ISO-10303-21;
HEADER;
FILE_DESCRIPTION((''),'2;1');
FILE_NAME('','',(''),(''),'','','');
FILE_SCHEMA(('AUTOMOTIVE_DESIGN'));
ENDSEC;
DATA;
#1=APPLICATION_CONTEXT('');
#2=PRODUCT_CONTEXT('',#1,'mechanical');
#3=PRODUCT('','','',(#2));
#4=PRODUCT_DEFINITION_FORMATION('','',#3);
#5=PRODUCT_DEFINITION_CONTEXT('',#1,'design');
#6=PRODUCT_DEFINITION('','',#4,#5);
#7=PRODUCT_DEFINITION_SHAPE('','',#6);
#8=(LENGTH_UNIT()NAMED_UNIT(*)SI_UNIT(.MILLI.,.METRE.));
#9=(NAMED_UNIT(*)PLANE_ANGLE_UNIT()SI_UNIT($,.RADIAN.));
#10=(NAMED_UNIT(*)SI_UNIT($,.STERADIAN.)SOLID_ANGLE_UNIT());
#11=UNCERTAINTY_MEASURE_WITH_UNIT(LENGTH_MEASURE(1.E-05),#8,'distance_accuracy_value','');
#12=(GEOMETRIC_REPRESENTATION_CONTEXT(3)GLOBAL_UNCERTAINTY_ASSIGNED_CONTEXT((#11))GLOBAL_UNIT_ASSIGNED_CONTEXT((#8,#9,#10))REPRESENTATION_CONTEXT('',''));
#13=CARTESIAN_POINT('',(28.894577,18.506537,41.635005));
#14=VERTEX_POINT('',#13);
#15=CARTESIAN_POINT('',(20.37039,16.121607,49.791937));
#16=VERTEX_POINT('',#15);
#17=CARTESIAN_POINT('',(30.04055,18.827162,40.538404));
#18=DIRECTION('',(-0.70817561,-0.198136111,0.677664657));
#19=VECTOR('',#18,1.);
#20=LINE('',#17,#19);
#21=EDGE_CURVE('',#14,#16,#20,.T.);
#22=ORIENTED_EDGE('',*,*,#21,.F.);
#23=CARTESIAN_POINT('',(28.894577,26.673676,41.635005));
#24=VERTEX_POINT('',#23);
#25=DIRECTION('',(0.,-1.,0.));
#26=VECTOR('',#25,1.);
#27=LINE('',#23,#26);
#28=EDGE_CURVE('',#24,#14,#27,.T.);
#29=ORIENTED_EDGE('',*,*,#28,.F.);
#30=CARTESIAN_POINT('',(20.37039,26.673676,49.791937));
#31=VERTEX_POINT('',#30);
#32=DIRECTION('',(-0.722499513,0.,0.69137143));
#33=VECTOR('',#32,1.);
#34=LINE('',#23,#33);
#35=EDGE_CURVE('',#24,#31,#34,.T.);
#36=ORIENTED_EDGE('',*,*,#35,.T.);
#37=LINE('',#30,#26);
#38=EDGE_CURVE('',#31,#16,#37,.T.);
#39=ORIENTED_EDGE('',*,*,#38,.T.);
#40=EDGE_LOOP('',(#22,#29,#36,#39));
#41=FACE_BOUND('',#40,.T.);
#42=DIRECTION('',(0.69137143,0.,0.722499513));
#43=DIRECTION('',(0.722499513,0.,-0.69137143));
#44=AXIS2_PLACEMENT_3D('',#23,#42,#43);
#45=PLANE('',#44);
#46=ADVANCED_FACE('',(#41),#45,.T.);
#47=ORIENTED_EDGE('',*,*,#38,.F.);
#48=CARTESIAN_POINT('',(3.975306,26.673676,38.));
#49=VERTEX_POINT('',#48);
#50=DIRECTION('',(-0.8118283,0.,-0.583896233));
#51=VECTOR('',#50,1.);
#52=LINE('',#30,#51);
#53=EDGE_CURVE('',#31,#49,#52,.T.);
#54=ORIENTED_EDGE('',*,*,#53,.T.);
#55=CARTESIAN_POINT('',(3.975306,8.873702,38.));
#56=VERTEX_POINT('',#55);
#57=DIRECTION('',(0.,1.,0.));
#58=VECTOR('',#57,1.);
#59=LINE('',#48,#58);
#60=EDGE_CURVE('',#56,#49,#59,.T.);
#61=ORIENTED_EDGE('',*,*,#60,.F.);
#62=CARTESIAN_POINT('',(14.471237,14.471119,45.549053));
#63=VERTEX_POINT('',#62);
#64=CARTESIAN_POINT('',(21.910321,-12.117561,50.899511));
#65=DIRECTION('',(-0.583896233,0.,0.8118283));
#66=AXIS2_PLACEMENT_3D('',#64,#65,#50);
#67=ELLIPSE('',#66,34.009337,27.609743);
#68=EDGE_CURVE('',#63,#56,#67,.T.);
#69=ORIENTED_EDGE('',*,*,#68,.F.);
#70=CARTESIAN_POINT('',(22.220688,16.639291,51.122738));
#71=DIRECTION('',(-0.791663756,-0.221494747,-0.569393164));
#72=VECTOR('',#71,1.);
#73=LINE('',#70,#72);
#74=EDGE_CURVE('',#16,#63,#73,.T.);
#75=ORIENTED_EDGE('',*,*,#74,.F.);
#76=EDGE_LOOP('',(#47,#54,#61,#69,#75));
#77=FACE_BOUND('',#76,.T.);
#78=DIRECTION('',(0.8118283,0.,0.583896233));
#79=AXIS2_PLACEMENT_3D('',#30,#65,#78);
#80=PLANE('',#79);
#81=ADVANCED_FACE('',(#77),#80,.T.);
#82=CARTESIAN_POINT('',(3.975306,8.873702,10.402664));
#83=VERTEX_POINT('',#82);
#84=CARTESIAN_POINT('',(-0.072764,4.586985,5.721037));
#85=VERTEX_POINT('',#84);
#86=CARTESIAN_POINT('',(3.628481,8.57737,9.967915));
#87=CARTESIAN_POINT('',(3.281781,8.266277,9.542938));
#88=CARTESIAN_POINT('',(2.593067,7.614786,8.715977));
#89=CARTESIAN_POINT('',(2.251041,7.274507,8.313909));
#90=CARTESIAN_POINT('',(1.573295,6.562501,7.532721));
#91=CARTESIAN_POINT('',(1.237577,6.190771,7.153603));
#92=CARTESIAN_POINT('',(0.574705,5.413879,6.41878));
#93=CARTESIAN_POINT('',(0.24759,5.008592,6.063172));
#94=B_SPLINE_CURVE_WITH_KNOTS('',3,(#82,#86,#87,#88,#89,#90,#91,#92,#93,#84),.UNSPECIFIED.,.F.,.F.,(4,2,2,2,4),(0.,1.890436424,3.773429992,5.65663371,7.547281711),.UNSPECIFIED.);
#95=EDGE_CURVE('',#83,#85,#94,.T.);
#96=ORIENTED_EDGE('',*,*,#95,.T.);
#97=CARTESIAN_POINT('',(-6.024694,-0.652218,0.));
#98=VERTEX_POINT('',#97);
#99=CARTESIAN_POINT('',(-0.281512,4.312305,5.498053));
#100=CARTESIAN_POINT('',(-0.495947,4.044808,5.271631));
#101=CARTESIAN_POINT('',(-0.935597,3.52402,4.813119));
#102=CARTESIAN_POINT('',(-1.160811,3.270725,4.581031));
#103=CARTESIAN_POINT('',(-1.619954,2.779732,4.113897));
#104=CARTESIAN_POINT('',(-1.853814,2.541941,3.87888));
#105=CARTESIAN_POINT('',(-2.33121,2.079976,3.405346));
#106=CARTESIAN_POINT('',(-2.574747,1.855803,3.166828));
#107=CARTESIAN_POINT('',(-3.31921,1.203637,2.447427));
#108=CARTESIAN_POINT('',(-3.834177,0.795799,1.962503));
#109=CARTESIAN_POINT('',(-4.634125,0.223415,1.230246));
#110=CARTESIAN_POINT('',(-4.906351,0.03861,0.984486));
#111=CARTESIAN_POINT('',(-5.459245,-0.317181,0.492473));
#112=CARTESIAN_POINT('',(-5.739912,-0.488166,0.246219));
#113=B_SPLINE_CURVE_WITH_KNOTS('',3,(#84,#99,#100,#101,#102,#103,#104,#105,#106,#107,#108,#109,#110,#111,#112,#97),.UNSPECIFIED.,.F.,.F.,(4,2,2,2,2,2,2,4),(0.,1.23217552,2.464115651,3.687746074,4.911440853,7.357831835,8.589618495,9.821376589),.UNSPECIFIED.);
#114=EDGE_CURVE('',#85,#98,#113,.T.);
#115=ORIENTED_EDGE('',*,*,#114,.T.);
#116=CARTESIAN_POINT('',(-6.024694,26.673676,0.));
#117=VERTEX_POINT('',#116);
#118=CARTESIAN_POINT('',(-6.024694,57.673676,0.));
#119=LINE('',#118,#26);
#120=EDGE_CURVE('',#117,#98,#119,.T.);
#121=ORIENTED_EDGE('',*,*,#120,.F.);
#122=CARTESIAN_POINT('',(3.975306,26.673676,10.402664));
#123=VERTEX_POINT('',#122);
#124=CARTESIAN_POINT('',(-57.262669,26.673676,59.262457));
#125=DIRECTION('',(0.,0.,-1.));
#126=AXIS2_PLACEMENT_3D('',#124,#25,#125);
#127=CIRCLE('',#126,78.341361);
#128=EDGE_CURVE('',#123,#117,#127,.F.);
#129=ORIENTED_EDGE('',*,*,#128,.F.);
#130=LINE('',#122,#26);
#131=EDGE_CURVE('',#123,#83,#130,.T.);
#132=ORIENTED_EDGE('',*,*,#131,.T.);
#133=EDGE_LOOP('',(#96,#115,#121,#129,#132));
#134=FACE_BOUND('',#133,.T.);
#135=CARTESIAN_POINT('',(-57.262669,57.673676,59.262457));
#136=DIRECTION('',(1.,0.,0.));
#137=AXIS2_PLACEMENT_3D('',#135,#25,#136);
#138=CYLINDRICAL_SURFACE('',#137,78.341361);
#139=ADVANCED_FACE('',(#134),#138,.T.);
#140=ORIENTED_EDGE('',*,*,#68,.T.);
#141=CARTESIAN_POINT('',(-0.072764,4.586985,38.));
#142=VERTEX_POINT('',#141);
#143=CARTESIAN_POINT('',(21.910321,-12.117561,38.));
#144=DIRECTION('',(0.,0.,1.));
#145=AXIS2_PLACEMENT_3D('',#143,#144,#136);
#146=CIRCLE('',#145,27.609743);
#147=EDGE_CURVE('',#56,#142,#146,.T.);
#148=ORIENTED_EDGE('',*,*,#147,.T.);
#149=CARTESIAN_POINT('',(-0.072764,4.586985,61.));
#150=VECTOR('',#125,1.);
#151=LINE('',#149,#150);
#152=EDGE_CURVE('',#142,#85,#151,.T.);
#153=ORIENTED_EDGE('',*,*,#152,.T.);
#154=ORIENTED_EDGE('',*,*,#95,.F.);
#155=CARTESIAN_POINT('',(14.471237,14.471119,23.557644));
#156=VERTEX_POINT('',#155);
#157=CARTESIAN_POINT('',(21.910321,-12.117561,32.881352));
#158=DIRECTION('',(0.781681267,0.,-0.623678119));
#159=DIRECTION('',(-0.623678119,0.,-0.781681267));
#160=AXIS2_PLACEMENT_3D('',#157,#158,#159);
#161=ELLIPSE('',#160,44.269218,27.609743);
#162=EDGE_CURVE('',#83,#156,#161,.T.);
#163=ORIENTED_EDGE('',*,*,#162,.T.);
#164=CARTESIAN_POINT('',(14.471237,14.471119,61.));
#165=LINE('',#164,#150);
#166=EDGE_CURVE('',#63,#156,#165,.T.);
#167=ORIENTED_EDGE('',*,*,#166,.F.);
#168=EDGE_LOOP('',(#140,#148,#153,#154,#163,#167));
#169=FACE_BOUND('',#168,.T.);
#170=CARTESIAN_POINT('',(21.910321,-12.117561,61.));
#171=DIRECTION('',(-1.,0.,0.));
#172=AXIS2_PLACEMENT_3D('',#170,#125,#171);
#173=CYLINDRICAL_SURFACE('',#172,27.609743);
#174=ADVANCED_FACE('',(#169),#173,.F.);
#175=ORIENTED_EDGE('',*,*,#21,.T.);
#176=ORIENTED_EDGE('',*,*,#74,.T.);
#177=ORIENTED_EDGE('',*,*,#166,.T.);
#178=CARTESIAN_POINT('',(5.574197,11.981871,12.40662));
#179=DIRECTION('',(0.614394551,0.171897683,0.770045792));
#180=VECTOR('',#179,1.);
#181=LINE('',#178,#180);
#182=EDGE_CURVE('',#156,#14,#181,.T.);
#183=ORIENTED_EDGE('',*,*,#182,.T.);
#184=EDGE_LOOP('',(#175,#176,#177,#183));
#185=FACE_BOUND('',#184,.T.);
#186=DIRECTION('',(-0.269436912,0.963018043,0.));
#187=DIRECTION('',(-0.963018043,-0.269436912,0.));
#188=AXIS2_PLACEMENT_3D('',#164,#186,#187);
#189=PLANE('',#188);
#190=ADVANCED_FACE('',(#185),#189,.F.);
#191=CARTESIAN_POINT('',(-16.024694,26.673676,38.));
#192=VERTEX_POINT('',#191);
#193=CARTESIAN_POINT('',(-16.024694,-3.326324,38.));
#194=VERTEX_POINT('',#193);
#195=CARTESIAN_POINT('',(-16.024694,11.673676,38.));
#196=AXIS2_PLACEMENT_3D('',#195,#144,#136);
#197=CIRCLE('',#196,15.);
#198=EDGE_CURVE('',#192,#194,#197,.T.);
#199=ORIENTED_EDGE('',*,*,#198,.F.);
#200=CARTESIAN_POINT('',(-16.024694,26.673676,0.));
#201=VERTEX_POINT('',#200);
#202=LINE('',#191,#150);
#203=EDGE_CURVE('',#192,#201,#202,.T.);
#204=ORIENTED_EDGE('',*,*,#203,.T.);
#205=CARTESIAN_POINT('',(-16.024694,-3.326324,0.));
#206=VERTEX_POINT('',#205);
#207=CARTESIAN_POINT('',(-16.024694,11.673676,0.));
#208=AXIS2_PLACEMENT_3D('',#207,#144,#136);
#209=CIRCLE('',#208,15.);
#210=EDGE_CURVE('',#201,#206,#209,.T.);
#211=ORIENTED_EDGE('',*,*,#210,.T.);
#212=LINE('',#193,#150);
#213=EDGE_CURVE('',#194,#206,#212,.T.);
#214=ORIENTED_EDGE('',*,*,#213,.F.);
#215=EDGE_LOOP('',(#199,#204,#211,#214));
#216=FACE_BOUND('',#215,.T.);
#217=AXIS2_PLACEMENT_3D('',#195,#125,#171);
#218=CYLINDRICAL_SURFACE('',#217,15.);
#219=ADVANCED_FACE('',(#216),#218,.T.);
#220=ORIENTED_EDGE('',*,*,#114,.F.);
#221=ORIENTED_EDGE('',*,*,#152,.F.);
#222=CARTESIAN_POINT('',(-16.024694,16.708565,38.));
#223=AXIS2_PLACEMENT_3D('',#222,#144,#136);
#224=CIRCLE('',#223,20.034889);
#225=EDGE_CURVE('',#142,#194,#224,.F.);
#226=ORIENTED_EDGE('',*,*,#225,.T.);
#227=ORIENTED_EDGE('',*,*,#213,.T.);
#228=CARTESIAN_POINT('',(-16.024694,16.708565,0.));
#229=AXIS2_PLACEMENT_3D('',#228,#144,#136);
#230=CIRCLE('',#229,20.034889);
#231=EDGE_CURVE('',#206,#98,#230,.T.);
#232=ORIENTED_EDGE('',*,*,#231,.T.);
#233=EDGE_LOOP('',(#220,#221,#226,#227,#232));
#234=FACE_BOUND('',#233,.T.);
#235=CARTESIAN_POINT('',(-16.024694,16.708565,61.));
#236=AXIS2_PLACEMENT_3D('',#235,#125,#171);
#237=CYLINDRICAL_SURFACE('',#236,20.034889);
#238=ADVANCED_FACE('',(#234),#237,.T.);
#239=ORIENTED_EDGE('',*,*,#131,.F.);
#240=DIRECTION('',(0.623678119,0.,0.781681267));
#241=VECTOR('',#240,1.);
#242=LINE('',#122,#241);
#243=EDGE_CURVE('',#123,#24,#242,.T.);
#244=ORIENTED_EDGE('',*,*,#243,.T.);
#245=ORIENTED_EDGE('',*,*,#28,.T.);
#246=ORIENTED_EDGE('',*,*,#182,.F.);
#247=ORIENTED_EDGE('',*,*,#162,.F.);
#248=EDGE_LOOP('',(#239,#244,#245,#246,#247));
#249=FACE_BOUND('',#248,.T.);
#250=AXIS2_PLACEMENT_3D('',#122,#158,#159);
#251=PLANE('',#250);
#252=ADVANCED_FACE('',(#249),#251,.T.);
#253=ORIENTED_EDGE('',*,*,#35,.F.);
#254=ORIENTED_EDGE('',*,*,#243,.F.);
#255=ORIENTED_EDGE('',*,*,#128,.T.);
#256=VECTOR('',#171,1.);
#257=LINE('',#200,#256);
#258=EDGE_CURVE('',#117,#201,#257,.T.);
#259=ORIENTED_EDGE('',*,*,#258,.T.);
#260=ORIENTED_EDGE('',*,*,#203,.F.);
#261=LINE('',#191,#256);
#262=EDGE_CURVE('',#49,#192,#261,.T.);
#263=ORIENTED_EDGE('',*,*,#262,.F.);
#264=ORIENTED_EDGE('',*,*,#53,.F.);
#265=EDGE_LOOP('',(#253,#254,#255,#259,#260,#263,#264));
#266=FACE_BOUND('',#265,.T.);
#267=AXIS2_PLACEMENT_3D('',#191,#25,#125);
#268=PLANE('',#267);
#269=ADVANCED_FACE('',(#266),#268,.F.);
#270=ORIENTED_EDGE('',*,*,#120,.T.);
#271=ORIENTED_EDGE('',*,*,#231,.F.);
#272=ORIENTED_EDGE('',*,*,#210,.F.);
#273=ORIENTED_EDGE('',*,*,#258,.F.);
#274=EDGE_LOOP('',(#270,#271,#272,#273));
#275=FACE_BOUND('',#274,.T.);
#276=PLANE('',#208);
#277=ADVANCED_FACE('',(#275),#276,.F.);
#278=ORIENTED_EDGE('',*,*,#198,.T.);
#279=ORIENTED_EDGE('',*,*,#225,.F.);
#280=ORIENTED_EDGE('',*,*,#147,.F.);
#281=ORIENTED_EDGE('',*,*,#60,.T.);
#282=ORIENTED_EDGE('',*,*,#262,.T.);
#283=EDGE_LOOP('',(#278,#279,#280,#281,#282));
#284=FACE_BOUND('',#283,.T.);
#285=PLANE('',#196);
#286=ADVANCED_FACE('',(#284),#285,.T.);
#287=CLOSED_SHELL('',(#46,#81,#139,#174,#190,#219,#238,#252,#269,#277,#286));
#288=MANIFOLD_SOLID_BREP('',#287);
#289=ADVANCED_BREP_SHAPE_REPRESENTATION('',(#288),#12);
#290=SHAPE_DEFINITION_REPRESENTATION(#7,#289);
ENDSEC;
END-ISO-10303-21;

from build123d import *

# Parameters (mm, degrees)
BOSS_EXTRUDE1_DEPTH = 38
BOSS_EXTRUDE3_DEPTH = 30
CUT_EXTRUDE2_DEPTH  = 61
CUT_EXTRUDE1_DEPTH  = 61


with BuildPart() as part:
    # Sketch1 → Boss-Extrude1 (new body)
    with BuildSketch(Plane.XY):
        with BuildLine():
            Line((-16.024694199, 26.673676157), (3.975305801, 26.673676157))
            Line((3.975305801, 26.673676157), (3.975305801, -3.326323843))
            Line((3.975305801, -3.326323843), (-16.024694199, -3.326323843))
            ThreePointArc((-16.024694199, -3.326323843), (-31.024694199, 11.673676157), (-16.024694199, 26.673676157))
        make_face()
    extrude(amount=BOSS_EXTRUDE1_DEPTH)

    # Sketch2 → Boss-Extrude3 (add)
    with BuildSketch(Plane.XZ.offset(3.326323843)):
        Polygon((3.975305801, 38), (3.975305801, 10.402664479), (28.894576723, 41.635004813), (20.3703899, 49.791936592), align=None)
    extrude(amount=-BOSS_EXTRUDE3_DEPTH)

    # Sketch4 → Cut-Extrude2 (cut)
    with BuildSketch(Plane.XZ.offset(3.326323843)):
        with BuildLine():
            Line((-6.024694199, 0), (8.586429147, -30.750559355))
            Line((8.586429147, -30.750559355), (53.639483602, 0))
            Line((53.639483602, 0), (3.975305801, 10.402664479))
            ThreePointArc((3.975305801, 10.402664479), (-0.784676233, 4.970604847), (-6.024694199, 0))
        make_face()
    extrude(amount=-CUT_EXTRUDE2_DEPTH, mode=Mode.SUBTRACT)

    # Sketch3 → Cut-Extrude1 (cut)
    with BuildSketch(Plane(origin=(0, 0, 0), x_dir=(-1, 0, 0), z_dir=(0, 0, -1))):
        with BuildLine():
            Line((-14.471237169, 14.471119338), (-28.894576723, 18.506537052))
            Line((-28.894576723, 18.506537052), (-57.421554234, 26.725830047))
            Line((-57.421554234, 26.725830047), (-3.301256906, -44.718260526))
            Line((-3.301256906, -44.718260526), (16.024694199, -3.326323843))
            ThreePointArc((16.024694199, -3.326323843), (7.12126065, -1.239294), (0.072764407, 4.586984677))
            ThreePointArc((0.072764407, 4.586984677), (-6.391299116, 10.717890613), (-14.471237169, 14.471119338))
        make_face()
    extrude(amount=-CUT_EXTRUDE1_DEPTH, mode=Mode.SUBTRACT)


solid = part.part
